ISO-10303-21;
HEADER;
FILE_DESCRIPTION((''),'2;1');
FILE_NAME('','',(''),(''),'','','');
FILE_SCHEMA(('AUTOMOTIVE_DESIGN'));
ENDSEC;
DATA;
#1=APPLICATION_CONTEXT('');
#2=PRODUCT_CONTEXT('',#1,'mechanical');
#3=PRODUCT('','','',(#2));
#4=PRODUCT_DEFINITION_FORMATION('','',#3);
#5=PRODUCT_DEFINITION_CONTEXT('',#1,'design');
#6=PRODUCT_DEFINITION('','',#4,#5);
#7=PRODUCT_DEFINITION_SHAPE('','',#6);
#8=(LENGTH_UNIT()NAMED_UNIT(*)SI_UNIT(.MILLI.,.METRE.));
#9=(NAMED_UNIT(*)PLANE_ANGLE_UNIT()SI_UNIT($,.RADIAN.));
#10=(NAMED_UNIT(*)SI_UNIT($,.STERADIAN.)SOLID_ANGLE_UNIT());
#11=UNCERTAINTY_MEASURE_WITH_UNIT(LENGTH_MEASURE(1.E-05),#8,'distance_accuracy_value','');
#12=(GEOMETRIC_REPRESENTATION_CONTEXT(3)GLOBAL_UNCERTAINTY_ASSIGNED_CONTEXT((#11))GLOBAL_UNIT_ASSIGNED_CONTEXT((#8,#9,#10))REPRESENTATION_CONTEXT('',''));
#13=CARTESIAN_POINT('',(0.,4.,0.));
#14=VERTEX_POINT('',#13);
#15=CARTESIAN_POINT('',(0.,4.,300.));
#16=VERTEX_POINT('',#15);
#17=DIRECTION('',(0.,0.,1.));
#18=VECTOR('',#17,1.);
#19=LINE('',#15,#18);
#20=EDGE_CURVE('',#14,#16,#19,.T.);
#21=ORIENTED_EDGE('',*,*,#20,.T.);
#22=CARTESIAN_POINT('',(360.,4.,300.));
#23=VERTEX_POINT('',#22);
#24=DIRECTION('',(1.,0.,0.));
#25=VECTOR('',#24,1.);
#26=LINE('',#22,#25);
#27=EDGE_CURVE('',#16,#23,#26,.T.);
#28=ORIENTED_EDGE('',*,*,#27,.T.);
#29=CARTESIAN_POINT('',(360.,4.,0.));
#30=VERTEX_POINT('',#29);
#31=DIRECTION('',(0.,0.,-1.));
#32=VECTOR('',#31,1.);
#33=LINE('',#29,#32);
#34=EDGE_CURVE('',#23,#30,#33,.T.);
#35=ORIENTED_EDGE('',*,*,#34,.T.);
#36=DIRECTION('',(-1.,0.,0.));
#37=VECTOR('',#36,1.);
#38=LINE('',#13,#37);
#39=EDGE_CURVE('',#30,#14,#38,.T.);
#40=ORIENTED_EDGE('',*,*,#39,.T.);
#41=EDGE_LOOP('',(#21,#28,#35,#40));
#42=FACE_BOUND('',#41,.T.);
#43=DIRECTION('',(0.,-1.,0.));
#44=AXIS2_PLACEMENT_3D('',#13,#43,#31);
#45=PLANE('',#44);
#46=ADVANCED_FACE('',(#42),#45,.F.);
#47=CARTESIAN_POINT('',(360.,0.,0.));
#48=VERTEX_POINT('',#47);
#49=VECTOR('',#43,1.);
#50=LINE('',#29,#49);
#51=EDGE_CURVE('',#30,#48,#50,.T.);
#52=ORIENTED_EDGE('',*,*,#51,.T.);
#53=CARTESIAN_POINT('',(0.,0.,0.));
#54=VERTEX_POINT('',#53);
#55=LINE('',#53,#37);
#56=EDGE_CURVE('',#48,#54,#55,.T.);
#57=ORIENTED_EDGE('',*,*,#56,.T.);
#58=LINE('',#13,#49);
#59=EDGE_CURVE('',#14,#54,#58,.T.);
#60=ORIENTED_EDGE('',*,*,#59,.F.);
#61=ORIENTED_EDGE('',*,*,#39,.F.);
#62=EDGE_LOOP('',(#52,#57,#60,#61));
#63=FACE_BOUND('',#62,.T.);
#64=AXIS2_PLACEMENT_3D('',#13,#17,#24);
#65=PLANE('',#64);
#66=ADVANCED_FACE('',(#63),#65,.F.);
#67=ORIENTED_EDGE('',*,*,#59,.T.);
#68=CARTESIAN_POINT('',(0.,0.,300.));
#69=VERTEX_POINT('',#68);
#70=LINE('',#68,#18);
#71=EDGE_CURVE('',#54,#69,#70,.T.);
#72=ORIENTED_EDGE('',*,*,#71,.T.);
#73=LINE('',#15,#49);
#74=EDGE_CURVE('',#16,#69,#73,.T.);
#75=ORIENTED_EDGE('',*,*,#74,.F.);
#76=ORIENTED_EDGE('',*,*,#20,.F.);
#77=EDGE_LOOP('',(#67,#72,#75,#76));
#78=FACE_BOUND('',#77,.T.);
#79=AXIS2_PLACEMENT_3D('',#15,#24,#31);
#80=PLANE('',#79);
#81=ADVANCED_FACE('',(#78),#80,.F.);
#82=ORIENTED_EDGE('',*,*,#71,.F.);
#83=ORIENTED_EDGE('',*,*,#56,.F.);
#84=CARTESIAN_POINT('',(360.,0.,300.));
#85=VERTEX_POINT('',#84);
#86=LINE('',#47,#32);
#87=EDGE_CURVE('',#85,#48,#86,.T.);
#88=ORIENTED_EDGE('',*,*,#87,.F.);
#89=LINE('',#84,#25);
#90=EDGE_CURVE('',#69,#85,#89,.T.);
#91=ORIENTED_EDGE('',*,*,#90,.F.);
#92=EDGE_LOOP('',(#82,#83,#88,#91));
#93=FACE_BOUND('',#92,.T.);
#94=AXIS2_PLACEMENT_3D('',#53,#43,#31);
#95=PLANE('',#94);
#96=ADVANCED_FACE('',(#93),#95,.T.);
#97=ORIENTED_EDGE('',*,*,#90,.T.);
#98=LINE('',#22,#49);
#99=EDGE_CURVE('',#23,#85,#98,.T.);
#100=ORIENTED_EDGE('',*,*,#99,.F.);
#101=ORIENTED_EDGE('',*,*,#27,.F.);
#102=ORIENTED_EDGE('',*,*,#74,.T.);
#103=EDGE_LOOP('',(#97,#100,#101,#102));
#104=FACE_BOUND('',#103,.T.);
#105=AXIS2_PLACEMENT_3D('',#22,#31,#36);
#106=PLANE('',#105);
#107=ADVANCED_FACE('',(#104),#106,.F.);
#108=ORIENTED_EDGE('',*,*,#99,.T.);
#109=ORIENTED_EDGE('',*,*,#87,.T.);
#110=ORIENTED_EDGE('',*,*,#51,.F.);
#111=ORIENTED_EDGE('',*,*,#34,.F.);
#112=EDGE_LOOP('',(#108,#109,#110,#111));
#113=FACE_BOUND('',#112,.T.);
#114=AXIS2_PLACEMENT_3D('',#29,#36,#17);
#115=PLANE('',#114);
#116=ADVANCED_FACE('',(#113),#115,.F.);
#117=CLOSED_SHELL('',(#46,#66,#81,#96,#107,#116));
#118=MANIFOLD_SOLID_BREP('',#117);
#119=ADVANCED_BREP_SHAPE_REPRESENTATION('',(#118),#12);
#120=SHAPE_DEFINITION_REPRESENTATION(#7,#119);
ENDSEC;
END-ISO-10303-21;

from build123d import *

# Parameters (mm, degrees)
SKETCH_1_W      = 360
SKETCH_1_H      = 300
EXTRUDE_1_DEPTH = 4


with BuildPart() as part:
    # 草图1 → 凸台-拉伸1 (new body)
    with BuildSketch(Plane(origin=(0, 0, 0), x_dir=(1, 0, 0), z_dir=(0, 1, 0))):
        with Locations((180, -150)):
            Rectangle(SKETCH_1_W, SKETCH_1_H)
    extrude(amount=EXTRUDE_1_DEPTH)


solid = part.part
